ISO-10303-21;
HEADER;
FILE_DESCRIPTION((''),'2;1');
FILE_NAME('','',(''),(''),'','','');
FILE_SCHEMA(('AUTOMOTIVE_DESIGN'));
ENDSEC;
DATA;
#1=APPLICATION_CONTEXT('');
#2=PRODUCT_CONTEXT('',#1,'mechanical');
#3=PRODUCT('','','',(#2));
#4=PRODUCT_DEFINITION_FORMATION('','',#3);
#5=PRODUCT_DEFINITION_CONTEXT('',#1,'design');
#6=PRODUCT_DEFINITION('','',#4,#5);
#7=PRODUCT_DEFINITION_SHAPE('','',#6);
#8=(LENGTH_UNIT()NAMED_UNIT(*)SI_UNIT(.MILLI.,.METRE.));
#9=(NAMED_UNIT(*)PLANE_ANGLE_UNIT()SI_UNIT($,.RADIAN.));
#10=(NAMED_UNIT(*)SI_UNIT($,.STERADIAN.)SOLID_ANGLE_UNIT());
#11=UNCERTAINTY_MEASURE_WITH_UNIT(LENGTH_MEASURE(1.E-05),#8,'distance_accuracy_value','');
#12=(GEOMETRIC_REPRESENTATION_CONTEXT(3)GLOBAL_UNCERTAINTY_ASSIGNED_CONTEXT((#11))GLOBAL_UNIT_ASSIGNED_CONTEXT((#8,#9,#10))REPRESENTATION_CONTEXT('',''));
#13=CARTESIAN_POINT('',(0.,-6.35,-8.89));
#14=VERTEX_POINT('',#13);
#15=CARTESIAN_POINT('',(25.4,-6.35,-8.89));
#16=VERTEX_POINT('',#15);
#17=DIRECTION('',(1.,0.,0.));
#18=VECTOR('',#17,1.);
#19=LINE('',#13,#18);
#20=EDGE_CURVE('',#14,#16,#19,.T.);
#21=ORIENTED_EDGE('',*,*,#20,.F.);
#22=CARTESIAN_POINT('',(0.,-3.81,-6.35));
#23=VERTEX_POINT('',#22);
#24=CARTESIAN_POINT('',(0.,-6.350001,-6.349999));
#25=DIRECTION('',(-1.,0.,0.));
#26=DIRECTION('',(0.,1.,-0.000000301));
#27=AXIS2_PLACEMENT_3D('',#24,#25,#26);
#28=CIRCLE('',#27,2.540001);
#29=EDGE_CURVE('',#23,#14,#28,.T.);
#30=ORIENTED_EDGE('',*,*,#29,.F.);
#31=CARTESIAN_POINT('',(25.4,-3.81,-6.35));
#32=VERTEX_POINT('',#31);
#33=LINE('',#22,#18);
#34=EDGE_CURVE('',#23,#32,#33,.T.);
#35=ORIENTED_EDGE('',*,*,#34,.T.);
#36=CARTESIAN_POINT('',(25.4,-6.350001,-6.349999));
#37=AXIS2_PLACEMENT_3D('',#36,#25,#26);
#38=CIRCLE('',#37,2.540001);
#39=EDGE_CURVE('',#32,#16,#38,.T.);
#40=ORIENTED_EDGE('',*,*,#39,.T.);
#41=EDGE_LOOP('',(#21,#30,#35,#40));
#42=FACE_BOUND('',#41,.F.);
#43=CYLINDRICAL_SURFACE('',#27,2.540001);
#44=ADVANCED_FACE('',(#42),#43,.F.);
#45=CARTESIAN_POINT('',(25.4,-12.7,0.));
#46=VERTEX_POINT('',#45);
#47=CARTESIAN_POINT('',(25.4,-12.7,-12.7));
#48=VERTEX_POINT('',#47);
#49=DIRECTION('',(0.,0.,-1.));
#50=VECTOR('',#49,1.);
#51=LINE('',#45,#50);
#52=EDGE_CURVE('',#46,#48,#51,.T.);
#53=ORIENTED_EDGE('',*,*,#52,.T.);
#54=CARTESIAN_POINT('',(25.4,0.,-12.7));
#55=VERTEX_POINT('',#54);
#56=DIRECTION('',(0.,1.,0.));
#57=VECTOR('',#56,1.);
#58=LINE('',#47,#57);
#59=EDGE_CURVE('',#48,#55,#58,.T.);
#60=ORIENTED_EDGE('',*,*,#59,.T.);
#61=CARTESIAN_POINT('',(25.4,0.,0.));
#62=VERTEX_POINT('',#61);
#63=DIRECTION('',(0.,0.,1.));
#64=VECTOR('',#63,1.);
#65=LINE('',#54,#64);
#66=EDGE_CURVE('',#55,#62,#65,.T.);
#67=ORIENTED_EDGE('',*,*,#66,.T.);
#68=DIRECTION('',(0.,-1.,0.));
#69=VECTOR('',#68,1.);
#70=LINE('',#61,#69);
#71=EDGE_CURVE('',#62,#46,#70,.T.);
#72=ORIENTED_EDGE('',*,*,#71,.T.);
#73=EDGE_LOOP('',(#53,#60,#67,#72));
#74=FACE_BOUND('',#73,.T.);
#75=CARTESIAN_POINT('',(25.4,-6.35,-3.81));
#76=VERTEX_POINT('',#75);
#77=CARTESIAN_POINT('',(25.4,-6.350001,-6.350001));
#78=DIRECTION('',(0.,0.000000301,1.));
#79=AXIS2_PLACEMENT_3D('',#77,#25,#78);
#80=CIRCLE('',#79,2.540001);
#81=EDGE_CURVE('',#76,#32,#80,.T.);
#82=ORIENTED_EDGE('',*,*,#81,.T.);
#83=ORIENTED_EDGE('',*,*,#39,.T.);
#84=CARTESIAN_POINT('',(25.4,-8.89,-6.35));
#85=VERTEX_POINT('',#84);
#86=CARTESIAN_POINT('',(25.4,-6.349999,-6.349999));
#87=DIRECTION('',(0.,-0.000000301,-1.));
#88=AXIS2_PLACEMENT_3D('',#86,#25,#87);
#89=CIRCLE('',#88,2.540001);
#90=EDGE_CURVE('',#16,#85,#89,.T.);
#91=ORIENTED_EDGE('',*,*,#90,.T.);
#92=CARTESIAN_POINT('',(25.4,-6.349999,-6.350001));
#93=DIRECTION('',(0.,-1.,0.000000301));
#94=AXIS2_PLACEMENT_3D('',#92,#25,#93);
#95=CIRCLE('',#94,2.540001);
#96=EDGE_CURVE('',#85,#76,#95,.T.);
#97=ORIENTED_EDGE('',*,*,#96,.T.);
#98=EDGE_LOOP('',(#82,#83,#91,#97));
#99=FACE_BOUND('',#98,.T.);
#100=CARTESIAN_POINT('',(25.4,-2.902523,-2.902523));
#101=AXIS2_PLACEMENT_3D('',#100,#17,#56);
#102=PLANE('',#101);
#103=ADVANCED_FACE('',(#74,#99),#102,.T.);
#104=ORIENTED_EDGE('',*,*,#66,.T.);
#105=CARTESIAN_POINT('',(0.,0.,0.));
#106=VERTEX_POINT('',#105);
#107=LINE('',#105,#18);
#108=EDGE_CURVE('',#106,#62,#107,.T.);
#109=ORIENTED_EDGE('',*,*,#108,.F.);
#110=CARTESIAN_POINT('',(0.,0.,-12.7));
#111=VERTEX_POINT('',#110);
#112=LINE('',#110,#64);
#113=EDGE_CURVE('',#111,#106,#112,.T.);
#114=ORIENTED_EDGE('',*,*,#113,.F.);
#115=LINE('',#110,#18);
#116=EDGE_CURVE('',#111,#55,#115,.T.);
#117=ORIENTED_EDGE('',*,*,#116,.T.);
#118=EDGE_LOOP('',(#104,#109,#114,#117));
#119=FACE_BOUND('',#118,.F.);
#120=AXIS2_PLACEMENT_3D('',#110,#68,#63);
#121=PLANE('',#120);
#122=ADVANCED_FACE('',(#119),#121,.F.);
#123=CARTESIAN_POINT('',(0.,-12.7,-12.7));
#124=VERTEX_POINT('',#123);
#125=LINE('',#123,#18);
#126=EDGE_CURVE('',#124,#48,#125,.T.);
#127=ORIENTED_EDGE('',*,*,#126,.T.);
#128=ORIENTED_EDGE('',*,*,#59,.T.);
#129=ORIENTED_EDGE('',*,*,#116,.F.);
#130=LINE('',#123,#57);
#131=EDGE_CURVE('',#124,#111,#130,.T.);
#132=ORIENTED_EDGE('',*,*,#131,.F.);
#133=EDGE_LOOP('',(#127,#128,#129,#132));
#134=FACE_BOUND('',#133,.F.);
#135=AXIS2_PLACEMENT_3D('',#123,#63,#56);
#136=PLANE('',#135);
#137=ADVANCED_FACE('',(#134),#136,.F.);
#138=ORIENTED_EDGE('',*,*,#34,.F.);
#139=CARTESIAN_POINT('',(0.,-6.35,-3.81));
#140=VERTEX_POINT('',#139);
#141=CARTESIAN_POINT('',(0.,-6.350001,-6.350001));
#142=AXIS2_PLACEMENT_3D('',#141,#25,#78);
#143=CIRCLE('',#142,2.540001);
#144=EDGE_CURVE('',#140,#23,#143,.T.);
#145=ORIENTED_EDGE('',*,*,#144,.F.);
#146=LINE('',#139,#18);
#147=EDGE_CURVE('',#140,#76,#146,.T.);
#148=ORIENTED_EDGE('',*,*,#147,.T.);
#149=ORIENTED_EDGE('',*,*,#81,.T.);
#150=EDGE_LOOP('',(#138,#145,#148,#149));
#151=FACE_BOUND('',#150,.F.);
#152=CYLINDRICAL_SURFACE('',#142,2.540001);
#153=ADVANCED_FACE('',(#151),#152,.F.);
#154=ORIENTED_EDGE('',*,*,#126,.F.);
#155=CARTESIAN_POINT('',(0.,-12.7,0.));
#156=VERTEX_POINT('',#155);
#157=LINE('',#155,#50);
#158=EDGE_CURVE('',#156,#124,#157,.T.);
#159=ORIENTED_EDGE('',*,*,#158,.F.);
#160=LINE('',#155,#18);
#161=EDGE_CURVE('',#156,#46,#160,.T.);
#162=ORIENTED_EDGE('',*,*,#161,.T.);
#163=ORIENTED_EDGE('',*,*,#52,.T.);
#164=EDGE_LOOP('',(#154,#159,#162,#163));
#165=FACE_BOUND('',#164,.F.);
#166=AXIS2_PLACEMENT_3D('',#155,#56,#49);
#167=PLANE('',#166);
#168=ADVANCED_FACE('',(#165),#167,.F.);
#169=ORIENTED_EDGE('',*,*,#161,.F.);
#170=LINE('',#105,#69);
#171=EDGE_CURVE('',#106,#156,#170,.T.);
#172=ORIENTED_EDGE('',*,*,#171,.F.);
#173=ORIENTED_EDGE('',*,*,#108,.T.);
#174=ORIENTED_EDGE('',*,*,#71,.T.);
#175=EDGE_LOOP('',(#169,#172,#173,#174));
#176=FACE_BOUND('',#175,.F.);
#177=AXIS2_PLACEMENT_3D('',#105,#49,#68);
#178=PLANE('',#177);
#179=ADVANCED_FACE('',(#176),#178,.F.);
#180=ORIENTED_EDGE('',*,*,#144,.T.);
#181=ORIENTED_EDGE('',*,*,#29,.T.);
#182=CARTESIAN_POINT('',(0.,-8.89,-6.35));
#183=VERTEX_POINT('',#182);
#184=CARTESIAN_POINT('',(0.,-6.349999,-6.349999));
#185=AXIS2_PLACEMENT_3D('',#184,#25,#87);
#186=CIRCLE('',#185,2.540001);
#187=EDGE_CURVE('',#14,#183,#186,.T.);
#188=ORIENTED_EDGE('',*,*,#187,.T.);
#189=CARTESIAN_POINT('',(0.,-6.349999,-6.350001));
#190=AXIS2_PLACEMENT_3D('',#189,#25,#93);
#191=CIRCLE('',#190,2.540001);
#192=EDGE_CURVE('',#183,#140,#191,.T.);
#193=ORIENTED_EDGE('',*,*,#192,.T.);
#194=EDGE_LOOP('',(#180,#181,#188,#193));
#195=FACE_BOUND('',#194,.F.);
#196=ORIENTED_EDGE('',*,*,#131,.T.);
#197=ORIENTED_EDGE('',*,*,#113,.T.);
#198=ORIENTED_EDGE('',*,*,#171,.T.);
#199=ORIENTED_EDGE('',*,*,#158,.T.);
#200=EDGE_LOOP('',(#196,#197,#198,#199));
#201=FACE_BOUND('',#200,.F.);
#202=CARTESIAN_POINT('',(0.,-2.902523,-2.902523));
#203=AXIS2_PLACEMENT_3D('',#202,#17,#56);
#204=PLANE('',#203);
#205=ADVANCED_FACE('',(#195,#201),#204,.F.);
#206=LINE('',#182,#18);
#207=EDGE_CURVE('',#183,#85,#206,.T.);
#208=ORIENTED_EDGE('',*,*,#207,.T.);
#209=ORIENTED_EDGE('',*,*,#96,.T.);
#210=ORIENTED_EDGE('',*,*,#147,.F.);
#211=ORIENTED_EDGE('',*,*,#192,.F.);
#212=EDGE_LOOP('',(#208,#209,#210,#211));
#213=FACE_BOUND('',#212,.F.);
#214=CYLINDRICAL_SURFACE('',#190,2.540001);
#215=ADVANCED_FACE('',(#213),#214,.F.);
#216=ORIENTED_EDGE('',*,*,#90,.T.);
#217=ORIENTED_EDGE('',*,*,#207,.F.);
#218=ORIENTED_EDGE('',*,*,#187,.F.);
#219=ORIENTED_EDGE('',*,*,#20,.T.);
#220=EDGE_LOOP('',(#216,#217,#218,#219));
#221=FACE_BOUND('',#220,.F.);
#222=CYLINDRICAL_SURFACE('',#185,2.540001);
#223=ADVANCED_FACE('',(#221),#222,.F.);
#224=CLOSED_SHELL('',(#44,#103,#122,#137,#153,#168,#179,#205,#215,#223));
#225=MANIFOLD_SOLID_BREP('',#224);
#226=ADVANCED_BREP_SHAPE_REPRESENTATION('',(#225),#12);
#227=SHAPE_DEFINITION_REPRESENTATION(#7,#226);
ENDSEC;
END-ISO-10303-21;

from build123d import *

# Parameters (mm, degrees)
F1_DEPTH = 25.4


with BuildPart() as f1:
    # F0 (on Right) → F1 (new body)
    with BuildSketch(Plane.YZ):
        with BuildLine():
            Line((0, -6.35), (0, 0))
            Line((0, 0), (-6.35, 0))
            Line((-6.35, 0), (-6.35, -3.81))
            ThreePointArc((-6.35, -3.81), (-4.553949, -4.553949), (-3.81, -6.35))
            Line((-3.81, -6.35), (0, -6.35))
        make_face()
        with BuildLine():
            Line((-6.35, -3.81), (-6.35, 0))
            Line((-6.35, 0), (-12.7, 0))
            Line((-12.7, 0), (-12.7, -6.35))
            Line((-12.7, -6.35), (-8.89, -6.35))
            ThreePointArc((-8.89, -6.35), (-8.146051, -4.553949), (-6.35, -3.81))
        make_face()
        with BuildLine():
            Line((-8.89, -6.35), (-12.7, -6.35))
            Line((-12.7, -6.35), (-12.7, -12.7))
            Line((-12.7, -12.7), (-6.35, -12.7))
            Line((-6.35, -12.7), (-6.35, -8.89))
            ThreePointArc((-6.35, -8.89), (-8.146051, -8.146051), (-8.89, -6.35))
        make_face()
        with BuildLine():
            Line((0, -12.7), (0, -6.35))
            Line((0, -6.35), (-3.81, -6.35))
            ThreePointArc((-3.81, -6.35), (-4.553949, -8.146051), (-6.35, -8.89))
            Line((-6.35, -8.89), (-6.35, -12.7))
            Line((-6.35, -12.7), (0, -12.7))
        make_face()
    extrude(amount=F1_DEPTH)


solid = f1.part
